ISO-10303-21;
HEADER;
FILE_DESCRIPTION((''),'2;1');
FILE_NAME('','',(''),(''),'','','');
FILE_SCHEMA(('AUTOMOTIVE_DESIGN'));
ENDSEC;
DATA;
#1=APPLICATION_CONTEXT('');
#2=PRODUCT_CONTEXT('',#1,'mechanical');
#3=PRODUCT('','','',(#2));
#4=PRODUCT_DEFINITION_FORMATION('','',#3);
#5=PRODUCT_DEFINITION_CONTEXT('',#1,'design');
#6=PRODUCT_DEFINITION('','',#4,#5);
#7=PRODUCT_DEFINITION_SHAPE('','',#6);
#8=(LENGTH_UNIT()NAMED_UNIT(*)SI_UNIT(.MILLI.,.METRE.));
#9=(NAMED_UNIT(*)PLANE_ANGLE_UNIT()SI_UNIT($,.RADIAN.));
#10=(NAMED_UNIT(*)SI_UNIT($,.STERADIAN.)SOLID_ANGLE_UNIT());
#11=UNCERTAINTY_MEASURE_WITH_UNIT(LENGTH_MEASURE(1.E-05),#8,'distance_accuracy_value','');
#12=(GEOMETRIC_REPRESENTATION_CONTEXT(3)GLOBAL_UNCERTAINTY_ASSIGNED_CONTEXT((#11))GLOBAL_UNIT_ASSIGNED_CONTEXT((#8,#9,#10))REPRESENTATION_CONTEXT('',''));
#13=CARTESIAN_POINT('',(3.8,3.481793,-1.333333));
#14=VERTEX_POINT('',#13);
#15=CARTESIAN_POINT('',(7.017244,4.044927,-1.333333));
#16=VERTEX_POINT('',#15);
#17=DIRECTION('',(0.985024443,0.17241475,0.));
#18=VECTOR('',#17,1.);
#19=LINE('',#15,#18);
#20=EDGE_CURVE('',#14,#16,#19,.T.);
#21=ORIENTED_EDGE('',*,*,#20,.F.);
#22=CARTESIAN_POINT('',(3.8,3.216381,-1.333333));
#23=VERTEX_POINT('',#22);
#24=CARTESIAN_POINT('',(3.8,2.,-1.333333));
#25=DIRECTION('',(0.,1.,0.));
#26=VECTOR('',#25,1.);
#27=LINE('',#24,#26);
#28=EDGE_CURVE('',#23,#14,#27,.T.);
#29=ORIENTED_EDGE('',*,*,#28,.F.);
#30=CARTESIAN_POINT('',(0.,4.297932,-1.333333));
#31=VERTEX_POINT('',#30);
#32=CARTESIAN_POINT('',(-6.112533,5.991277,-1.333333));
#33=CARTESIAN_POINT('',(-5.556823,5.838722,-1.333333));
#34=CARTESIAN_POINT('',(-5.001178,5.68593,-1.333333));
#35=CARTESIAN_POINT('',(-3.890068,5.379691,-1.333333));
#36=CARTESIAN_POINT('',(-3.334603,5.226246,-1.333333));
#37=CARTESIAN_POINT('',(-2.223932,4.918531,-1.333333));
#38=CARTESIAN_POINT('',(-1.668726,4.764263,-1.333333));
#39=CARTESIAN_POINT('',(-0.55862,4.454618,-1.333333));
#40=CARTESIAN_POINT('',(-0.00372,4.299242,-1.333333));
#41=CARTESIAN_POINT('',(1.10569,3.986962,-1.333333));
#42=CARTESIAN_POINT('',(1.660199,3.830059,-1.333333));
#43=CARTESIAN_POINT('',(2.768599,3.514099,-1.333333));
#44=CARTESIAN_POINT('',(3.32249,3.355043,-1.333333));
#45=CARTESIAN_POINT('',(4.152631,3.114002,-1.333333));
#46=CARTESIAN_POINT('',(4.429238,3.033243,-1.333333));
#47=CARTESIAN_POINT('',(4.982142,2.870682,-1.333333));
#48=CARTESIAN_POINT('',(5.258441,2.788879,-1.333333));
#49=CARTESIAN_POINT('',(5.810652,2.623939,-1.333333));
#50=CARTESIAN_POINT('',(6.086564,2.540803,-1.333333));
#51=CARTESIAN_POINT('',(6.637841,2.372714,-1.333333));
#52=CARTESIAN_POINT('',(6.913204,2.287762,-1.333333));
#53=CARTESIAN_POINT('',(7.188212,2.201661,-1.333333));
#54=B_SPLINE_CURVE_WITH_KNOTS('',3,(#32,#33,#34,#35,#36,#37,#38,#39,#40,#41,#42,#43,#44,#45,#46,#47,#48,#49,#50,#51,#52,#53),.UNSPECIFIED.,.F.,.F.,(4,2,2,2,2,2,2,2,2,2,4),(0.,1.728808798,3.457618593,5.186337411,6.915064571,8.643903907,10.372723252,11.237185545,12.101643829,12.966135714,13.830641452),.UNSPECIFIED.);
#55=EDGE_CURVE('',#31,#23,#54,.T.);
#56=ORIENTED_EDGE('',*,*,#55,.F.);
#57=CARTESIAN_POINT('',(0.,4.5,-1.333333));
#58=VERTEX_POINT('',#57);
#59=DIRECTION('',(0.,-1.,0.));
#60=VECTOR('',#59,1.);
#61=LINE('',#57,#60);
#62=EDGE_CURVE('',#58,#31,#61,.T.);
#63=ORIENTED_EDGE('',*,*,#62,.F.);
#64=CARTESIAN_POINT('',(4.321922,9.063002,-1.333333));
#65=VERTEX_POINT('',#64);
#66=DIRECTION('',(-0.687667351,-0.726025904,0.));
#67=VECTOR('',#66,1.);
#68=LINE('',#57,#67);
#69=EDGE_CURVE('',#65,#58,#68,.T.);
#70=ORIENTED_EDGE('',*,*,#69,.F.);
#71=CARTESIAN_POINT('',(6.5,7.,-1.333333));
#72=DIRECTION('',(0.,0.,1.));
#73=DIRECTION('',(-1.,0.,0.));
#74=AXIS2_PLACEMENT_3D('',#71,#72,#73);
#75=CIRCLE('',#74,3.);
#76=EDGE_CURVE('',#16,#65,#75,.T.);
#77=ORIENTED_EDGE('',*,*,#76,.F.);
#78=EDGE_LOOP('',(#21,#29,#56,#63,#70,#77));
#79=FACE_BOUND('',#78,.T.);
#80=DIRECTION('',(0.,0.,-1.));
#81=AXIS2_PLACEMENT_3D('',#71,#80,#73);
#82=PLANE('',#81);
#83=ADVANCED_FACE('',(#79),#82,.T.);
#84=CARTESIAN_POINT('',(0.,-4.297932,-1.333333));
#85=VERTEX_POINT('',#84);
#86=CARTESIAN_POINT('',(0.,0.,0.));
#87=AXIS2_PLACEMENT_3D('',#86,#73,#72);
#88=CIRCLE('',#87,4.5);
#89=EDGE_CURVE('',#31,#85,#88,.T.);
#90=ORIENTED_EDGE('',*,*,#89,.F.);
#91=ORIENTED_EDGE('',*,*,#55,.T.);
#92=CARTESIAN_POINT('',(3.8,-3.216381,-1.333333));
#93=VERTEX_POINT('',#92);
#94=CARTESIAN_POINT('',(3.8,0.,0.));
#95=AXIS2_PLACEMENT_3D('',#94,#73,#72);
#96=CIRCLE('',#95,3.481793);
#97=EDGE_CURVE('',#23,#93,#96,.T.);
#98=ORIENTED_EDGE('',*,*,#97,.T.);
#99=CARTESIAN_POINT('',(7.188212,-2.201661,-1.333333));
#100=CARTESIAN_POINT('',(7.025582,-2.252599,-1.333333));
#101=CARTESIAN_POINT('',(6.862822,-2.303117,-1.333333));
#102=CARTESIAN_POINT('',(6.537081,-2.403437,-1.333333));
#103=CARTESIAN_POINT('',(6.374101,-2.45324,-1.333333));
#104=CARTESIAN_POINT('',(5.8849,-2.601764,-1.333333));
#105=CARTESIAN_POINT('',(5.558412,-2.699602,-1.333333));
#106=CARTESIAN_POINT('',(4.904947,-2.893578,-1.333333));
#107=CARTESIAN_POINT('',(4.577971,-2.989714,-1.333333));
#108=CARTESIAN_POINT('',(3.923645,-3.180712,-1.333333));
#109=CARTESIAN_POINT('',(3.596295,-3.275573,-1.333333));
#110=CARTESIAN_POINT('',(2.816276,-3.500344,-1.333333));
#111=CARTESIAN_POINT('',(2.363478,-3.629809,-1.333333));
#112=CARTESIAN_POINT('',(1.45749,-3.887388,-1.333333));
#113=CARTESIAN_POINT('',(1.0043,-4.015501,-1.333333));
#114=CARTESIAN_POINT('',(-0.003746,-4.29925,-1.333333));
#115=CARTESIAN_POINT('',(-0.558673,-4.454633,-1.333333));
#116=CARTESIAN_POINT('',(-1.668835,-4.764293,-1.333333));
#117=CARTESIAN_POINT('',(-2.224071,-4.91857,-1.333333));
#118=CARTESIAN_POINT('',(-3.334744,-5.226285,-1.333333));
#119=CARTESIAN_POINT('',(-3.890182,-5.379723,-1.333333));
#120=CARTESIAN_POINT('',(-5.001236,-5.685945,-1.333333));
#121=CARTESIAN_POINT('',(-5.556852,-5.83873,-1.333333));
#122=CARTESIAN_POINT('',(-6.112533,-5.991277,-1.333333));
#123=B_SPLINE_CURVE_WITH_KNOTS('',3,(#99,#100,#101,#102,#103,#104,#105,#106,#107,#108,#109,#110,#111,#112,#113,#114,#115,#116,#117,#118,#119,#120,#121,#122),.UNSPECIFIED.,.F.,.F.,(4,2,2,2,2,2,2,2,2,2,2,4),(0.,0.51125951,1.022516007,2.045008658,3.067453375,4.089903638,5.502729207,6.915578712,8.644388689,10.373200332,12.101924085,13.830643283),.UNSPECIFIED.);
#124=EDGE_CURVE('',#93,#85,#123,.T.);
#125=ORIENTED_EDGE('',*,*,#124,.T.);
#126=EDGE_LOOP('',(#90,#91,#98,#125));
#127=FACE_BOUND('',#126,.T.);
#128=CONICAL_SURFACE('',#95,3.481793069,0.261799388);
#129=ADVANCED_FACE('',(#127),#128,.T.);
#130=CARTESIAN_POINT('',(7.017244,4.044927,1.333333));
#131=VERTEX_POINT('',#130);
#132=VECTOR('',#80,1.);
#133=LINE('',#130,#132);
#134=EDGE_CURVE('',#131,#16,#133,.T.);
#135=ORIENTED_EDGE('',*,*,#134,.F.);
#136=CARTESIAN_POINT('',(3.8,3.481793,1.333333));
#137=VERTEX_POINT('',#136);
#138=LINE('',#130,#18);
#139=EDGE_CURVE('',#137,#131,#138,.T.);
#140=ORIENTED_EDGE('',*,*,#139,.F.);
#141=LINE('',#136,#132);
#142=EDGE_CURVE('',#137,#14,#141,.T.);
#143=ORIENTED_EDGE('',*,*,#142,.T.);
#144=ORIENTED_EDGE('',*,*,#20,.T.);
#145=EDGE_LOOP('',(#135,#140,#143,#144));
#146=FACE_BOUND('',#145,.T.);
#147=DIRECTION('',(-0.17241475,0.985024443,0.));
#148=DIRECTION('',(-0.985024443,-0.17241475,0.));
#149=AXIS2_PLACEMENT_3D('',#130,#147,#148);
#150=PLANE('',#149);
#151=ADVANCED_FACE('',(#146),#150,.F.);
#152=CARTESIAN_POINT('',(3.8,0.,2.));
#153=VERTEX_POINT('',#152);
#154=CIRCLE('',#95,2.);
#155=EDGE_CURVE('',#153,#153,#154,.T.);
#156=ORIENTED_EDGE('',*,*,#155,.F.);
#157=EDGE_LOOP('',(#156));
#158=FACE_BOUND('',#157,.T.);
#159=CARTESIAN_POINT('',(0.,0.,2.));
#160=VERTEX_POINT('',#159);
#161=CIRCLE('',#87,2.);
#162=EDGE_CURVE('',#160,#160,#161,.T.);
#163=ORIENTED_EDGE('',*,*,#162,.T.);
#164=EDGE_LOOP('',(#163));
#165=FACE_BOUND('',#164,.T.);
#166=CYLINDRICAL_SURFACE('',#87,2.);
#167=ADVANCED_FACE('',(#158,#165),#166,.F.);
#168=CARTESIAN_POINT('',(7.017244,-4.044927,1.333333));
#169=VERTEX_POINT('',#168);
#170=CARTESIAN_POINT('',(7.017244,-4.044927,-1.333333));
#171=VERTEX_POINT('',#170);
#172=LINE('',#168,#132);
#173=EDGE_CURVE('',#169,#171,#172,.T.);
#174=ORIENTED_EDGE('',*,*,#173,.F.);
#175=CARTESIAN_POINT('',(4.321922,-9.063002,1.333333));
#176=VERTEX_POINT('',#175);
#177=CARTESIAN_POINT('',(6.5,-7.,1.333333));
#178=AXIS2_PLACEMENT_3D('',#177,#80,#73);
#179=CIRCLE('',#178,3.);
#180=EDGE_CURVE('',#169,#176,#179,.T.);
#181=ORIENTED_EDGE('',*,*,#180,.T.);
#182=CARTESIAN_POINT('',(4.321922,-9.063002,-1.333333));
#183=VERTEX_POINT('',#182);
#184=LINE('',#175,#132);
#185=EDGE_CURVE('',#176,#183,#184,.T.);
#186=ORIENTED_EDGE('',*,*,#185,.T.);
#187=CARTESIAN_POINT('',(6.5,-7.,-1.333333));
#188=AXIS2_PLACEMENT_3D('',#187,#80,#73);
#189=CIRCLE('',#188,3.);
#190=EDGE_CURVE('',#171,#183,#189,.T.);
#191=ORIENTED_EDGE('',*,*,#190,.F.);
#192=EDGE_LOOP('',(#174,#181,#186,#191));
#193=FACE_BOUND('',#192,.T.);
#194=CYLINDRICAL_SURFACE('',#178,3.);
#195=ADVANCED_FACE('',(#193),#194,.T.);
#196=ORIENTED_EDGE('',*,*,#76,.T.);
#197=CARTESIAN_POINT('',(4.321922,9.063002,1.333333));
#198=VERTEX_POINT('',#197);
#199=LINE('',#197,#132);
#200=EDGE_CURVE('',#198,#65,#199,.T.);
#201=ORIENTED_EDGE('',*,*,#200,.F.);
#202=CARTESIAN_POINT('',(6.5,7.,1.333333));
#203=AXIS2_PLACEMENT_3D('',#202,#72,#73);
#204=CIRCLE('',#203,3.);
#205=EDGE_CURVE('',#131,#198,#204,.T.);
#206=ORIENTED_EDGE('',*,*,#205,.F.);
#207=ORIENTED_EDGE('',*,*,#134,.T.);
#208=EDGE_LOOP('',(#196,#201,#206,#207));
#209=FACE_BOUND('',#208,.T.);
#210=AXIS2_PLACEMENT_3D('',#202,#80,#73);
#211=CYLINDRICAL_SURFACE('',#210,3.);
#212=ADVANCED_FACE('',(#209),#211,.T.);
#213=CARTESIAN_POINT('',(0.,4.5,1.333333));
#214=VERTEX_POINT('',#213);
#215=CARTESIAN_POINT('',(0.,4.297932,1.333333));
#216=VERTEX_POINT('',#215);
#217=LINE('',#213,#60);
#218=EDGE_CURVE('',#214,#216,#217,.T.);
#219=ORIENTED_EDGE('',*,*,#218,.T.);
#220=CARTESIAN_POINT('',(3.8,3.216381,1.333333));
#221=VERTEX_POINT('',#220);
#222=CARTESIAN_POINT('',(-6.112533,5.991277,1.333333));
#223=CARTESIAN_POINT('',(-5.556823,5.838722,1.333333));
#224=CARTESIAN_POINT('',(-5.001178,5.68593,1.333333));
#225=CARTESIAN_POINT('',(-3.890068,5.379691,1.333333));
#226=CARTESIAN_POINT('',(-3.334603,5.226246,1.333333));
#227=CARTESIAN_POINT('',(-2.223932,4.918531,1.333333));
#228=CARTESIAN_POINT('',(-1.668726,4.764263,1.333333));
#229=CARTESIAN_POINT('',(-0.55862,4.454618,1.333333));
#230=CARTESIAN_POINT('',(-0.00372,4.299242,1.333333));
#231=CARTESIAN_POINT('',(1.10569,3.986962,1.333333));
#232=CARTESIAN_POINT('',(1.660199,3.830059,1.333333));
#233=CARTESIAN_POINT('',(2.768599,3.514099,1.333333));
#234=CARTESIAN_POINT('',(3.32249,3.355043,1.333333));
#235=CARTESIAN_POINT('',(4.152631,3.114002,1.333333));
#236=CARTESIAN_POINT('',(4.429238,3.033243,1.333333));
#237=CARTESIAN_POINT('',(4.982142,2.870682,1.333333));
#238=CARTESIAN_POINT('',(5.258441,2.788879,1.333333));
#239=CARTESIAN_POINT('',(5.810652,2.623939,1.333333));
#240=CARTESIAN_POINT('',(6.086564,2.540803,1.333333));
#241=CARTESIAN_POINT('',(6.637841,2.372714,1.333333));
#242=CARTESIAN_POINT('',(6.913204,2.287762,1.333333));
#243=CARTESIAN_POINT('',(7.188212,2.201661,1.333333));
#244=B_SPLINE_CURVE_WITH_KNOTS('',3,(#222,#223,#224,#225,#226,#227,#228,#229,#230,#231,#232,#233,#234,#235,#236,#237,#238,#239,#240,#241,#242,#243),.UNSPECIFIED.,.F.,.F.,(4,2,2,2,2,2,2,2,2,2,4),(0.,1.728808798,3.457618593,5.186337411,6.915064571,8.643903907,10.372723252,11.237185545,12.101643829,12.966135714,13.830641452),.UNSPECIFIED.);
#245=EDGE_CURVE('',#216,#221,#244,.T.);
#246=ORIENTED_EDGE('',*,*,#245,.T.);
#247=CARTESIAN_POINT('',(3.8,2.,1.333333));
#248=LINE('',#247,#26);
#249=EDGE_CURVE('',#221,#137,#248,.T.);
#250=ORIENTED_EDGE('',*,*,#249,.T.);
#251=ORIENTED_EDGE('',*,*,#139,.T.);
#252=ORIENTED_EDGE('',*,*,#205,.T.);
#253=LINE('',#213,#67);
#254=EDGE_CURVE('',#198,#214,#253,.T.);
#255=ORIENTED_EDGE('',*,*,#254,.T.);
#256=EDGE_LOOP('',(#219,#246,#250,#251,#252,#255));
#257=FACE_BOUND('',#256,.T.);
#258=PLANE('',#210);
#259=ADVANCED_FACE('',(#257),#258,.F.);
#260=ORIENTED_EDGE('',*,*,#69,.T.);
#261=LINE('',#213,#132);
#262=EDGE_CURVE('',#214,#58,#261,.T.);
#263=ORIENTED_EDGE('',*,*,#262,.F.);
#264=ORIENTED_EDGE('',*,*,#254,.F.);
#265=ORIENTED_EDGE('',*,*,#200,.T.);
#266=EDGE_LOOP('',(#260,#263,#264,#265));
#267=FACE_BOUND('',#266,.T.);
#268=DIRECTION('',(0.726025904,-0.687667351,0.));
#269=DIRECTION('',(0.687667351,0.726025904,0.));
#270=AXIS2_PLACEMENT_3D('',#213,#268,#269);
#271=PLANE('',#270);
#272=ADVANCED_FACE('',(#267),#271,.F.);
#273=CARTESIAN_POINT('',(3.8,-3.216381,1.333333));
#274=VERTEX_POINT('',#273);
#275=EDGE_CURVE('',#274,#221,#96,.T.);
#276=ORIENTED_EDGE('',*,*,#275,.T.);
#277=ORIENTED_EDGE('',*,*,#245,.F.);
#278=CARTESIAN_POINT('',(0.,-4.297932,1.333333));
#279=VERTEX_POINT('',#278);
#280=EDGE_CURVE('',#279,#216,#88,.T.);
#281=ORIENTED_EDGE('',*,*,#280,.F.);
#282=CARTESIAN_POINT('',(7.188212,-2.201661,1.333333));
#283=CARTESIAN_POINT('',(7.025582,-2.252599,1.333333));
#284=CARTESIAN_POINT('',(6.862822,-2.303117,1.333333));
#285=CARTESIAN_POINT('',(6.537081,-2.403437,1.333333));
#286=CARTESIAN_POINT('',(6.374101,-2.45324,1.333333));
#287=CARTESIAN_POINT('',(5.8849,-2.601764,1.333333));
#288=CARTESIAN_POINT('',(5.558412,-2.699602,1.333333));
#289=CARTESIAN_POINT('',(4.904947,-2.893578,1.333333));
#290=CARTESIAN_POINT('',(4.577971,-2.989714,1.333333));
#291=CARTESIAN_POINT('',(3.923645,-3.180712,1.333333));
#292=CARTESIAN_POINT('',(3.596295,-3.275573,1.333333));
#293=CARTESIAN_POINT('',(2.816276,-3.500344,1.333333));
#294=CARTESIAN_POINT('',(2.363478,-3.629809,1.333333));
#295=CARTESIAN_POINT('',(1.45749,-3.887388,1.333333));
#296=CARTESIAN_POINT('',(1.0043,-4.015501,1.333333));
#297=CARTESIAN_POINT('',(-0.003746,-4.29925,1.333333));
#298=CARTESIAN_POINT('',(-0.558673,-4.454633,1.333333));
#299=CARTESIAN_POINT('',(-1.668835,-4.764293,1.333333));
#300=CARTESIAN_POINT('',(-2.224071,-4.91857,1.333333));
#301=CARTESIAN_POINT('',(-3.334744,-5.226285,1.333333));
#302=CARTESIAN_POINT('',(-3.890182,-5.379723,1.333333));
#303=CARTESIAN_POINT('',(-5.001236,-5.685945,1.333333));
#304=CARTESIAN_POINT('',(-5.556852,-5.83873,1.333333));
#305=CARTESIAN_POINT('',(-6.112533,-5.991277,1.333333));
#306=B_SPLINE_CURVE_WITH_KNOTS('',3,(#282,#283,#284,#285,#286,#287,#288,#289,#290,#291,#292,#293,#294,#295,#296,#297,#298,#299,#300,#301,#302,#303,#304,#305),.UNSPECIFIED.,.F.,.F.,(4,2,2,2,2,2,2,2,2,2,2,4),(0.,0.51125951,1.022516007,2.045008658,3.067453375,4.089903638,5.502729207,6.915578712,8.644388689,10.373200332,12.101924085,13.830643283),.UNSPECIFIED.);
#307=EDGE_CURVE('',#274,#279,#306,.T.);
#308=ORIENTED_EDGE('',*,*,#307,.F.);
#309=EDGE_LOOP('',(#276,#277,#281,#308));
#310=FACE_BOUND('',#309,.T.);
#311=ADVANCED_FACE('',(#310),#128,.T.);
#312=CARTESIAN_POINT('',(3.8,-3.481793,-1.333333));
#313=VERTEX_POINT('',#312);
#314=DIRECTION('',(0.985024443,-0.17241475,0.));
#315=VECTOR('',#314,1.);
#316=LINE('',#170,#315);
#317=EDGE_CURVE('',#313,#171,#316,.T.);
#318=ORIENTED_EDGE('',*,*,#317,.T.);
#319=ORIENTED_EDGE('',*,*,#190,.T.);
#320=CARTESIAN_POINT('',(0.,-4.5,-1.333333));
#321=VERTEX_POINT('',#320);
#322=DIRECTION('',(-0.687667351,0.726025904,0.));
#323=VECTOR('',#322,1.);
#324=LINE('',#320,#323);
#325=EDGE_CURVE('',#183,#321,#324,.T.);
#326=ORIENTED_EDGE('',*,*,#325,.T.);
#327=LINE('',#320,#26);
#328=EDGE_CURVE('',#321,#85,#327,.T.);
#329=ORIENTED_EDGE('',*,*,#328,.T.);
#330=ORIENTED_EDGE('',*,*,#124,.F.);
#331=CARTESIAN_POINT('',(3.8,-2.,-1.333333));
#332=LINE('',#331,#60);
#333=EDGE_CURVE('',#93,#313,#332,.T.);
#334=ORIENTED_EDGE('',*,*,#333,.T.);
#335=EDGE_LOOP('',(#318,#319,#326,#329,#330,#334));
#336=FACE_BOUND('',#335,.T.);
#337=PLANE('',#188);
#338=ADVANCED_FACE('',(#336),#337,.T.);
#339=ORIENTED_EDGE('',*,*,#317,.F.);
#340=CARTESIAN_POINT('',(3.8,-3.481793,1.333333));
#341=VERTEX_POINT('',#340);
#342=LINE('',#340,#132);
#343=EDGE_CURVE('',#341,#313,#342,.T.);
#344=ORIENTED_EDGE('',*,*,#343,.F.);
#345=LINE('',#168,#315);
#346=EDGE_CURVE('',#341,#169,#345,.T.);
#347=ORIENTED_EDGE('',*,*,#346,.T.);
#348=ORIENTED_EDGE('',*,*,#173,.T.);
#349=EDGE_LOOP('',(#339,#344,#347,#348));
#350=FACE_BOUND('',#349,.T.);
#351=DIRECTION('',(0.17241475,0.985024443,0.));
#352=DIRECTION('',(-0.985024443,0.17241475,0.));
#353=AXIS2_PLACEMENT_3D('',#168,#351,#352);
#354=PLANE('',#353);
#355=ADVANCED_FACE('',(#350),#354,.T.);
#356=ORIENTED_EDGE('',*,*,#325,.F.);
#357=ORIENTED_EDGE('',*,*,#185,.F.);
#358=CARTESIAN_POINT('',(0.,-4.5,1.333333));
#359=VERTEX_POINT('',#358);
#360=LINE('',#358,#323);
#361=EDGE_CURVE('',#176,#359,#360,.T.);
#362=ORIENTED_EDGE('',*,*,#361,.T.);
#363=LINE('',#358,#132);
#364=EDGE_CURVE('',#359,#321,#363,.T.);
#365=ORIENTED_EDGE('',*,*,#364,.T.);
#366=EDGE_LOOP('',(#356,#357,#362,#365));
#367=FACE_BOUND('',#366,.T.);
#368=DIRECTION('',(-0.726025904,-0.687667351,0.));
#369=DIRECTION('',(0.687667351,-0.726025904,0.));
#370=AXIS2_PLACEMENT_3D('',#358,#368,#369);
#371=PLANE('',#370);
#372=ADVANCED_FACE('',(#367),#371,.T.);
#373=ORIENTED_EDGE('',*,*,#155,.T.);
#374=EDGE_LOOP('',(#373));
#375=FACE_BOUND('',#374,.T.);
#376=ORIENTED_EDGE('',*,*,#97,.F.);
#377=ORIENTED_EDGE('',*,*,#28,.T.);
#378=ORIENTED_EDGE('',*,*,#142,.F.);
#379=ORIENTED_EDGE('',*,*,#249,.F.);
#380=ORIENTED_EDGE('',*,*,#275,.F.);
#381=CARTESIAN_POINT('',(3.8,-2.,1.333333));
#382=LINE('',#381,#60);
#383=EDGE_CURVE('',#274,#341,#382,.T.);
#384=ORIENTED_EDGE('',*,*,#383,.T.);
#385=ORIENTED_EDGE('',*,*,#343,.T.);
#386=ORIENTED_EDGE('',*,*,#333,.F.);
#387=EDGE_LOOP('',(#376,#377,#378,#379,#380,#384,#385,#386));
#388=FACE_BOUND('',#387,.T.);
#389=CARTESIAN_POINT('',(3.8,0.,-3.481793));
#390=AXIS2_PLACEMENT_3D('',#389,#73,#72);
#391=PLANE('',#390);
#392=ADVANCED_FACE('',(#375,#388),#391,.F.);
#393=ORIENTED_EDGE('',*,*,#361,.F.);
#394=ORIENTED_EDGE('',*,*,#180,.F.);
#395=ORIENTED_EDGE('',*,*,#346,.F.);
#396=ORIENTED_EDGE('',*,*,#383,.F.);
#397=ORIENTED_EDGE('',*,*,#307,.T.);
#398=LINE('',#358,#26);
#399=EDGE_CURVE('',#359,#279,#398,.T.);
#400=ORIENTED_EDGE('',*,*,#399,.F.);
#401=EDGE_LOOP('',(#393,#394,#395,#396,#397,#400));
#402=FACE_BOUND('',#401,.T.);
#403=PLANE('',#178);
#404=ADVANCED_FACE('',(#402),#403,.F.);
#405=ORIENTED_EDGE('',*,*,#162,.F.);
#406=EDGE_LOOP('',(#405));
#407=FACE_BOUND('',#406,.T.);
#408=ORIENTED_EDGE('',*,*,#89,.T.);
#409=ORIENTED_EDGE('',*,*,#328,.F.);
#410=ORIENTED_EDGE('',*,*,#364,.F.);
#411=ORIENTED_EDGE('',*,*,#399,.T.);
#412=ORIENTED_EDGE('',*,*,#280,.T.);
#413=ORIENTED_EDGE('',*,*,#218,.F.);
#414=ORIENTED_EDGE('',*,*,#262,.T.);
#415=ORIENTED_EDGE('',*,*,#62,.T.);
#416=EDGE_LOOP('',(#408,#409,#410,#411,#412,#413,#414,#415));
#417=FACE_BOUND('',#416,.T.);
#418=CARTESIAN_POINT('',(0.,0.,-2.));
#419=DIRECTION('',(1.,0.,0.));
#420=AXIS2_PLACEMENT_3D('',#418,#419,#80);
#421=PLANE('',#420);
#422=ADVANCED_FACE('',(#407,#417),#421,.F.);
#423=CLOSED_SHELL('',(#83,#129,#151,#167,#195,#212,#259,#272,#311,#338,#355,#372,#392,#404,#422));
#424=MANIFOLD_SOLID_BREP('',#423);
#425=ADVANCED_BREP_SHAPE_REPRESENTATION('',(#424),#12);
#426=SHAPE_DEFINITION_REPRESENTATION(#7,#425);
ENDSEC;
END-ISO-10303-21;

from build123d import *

# Parameters (mm, degrees)
BOSS_EXTRUDE1_DEPTH = 1.333333333


with BuildPart() as part:
    # Sketch2 → Revolve1 (revolve)
    with BuildSketch(Plane(origin=(0, 0, 0), x_dir=(1, 0, 0), z_dir=(0, 1, 0)), mode=Mode.PRIVATE) as revolve1_sk:
        Polygon((0, 2), (0, 4.5), (3.8, 3.481793069), (3.8, 2), align=None)
    revolve(revolve1_sk.sketch.rotate(Axis((0, 0, 0), (1, 0, 0)), 180), axis=Axis((0, 0, 0), (1, 0, 0)))

    # Sketch3 → Boss-Extrude1 (add, symmetric)
    with BuildSketch(Plane.XY):
        with BuildLine():
            Line((0, 4.5), (4.321922287, 9.063002054))
            ThreePointArc((4.321922287, 9.063002054), (9.142888967, 8.419555533), (7.017244249, 4.04492667))
            Line((7.017244249, 4.04492667), (3.8, 3.481793069))
            Line((3.8, 3.481793069), (3.8, 2))
            Line((3.8, 2), (0, 2))
            Line((0, 2), (0, 4.5))
        make_face()
    boss_extrude1 = extrude(amount=BOSS_EXTRUDE1_DEPTH, both=True)

    # Mirror1: Boss-Extrude1 across plane
    add(boss_extrude1.mirror(Plane.ZX))


solid = part.part
